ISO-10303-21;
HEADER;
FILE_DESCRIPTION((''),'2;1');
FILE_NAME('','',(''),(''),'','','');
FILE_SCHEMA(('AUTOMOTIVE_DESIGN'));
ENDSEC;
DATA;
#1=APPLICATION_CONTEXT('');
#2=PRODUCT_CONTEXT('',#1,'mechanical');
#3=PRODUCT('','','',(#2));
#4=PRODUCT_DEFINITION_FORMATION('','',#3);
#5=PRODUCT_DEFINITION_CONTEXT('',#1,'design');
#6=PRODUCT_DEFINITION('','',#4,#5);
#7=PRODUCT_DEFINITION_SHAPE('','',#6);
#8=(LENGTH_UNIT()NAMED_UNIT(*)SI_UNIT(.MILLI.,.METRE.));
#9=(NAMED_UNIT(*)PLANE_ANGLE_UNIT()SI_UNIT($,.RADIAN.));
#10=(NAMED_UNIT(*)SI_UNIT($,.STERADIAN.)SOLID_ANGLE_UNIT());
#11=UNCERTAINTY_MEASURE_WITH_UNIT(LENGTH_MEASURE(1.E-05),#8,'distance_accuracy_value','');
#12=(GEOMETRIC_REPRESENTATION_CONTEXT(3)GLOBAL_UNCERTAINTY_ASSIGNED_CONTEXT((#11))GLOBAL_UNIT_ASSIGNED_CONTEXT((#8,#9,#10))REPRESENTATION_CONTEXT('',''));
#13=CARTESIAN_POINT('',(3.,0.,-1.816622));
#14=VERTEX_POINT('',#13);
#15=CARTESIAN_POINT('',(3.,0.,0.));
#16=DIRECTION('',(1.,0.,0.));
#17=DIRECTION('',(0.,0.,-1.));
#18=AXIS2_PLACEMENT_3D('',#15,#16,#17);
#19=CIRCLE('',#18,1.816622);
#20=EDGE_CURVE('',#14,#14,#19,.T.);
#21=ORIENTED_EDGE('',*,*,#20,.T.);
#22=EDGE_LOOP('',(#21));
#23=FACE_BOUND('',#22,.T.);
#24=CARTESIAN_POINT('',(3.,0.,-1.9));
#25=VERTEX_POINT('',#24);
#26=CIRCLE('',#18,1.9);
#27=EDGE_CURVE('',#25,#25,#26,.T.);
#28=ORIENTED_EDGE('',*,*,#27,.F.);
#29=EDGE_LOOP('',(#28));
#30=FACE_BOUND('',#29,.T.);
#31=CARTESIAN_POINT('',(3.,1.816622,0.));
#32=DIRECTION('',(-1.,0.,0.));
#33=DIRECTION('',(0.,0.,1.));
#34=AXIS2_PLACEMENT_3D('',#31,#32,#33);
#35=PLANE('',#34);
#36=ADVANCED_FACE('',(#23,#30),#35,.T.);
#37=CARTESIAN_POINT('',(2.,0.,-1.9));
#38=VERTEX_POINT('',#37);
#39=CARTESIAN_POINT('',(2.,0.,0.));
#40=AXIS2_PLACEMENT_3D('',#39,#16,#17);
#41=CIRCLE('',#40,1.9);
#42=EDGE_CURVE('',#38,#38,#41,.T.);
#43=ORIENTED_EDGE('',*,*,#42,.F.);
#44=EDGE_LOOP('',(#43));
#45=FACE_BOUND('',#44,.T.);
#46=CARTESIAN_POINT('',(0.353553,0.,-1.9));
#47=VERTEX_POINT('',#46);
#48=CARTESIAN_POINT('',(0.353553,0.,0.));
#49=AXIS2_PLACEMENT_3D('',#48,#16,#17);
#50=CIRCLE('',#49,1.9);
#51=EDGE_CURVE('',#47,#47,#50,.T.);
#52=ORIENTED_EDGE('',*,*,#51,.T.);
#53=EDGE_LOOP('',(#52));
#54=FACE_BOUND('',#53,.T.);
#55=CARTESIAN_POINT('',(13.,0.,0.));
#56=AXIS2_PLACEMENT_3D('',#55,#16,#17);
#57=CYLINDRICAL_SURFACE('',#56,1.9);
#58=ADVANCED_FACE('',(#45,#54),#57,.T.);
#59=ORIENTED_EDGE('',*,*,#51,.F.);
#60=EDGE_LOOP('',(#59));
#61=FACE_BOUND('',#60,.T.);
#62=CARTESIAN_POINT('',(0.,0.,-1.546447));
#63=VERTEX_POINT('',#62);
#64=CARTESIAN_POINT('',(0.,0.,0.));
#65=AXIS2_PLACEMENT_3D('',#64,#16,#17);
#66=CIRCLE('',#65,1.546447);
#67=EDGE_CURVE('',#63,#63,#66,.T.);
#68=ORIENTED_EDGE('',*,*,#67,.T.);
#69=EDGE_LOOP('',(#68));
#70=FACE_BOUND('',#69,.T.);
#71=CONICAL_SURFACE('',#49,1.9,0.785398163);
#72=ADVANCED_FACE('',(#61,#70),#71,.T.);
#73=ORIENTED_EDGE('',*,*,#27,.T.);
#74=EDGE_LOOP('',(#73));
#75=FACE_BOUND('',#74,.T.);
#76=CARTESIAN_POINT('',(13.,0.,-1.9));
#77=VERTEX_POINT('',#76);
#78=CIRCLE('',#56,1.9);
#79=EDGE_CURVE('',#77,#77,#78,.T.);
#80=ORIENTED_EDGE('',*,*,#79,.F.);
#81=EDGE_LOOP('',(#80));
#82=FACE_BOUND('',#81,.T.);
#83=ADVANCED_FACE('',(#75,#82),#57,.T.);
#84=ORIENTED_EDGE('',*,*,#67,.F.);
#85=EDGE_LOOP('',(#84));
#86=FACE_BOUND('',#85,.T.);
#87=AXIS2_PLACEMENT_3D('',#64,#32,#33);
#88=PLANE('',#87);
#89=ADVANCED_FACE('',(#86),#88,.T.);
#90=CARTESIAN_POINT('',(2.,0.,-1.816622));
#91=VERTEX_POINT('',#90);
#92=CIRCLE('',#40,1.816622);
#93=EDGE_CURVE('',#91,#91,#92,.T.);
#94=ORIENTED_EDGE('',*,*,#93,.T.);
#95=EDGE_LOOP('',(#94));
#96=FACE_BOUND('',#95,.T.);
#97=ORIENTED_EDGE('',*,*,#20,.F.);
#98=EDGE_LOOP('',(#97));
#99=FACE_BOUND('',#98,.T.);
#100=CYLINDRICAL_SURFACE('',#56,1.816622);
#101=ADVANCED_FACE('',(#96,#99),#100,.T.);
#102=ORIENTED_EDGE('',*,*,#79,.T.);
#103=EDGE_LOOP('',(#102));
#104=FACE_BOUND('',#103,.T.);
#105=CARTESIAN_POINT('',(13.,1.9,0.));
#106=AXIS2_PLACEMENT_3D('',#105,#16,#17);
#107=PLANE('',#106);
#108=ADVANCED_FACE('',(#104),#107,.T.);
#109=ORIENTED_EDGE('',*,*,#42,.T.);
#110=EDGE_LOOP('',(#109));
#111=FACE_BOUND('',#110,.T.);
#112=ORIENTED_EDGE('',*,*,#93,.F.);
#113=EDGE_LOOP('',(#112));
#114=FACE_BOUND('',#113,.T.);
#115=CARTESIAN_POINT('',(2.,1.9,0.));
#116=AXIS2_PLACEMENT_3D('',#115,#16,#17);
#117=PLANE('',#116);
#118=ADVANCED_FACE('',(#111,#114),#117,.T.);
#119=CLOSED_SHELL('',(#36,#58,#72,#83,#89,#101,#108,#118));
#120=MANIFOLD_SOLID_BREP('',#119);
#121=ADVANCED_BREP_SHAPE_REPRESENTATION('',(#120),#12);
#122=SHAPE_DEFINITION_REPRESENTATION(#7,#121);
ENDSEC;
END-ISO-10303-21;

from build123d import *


with BuildPart() as part:
    # Sketch1 → Revolve1 (revolve)
    with BuildSketch(Plane.XY, mode=Mode.PRIVATE) as revolve1_sk:
        Polygon((0, 0), (0, 1.546446609), (0.353553391, 1.9), (2, 1.9), (2, 1.816621755), (3, 1.816621755), (3, 1.9), (13, 1.9), (13, 0), align=None)
    revolve(revolve1_sk.sketch.rotate(Axis((13, 0, 0), (-1, 0, 0)), 90), axis=Axis((13, 0, 0), (-1, 0, 0)))


solid = part.part
